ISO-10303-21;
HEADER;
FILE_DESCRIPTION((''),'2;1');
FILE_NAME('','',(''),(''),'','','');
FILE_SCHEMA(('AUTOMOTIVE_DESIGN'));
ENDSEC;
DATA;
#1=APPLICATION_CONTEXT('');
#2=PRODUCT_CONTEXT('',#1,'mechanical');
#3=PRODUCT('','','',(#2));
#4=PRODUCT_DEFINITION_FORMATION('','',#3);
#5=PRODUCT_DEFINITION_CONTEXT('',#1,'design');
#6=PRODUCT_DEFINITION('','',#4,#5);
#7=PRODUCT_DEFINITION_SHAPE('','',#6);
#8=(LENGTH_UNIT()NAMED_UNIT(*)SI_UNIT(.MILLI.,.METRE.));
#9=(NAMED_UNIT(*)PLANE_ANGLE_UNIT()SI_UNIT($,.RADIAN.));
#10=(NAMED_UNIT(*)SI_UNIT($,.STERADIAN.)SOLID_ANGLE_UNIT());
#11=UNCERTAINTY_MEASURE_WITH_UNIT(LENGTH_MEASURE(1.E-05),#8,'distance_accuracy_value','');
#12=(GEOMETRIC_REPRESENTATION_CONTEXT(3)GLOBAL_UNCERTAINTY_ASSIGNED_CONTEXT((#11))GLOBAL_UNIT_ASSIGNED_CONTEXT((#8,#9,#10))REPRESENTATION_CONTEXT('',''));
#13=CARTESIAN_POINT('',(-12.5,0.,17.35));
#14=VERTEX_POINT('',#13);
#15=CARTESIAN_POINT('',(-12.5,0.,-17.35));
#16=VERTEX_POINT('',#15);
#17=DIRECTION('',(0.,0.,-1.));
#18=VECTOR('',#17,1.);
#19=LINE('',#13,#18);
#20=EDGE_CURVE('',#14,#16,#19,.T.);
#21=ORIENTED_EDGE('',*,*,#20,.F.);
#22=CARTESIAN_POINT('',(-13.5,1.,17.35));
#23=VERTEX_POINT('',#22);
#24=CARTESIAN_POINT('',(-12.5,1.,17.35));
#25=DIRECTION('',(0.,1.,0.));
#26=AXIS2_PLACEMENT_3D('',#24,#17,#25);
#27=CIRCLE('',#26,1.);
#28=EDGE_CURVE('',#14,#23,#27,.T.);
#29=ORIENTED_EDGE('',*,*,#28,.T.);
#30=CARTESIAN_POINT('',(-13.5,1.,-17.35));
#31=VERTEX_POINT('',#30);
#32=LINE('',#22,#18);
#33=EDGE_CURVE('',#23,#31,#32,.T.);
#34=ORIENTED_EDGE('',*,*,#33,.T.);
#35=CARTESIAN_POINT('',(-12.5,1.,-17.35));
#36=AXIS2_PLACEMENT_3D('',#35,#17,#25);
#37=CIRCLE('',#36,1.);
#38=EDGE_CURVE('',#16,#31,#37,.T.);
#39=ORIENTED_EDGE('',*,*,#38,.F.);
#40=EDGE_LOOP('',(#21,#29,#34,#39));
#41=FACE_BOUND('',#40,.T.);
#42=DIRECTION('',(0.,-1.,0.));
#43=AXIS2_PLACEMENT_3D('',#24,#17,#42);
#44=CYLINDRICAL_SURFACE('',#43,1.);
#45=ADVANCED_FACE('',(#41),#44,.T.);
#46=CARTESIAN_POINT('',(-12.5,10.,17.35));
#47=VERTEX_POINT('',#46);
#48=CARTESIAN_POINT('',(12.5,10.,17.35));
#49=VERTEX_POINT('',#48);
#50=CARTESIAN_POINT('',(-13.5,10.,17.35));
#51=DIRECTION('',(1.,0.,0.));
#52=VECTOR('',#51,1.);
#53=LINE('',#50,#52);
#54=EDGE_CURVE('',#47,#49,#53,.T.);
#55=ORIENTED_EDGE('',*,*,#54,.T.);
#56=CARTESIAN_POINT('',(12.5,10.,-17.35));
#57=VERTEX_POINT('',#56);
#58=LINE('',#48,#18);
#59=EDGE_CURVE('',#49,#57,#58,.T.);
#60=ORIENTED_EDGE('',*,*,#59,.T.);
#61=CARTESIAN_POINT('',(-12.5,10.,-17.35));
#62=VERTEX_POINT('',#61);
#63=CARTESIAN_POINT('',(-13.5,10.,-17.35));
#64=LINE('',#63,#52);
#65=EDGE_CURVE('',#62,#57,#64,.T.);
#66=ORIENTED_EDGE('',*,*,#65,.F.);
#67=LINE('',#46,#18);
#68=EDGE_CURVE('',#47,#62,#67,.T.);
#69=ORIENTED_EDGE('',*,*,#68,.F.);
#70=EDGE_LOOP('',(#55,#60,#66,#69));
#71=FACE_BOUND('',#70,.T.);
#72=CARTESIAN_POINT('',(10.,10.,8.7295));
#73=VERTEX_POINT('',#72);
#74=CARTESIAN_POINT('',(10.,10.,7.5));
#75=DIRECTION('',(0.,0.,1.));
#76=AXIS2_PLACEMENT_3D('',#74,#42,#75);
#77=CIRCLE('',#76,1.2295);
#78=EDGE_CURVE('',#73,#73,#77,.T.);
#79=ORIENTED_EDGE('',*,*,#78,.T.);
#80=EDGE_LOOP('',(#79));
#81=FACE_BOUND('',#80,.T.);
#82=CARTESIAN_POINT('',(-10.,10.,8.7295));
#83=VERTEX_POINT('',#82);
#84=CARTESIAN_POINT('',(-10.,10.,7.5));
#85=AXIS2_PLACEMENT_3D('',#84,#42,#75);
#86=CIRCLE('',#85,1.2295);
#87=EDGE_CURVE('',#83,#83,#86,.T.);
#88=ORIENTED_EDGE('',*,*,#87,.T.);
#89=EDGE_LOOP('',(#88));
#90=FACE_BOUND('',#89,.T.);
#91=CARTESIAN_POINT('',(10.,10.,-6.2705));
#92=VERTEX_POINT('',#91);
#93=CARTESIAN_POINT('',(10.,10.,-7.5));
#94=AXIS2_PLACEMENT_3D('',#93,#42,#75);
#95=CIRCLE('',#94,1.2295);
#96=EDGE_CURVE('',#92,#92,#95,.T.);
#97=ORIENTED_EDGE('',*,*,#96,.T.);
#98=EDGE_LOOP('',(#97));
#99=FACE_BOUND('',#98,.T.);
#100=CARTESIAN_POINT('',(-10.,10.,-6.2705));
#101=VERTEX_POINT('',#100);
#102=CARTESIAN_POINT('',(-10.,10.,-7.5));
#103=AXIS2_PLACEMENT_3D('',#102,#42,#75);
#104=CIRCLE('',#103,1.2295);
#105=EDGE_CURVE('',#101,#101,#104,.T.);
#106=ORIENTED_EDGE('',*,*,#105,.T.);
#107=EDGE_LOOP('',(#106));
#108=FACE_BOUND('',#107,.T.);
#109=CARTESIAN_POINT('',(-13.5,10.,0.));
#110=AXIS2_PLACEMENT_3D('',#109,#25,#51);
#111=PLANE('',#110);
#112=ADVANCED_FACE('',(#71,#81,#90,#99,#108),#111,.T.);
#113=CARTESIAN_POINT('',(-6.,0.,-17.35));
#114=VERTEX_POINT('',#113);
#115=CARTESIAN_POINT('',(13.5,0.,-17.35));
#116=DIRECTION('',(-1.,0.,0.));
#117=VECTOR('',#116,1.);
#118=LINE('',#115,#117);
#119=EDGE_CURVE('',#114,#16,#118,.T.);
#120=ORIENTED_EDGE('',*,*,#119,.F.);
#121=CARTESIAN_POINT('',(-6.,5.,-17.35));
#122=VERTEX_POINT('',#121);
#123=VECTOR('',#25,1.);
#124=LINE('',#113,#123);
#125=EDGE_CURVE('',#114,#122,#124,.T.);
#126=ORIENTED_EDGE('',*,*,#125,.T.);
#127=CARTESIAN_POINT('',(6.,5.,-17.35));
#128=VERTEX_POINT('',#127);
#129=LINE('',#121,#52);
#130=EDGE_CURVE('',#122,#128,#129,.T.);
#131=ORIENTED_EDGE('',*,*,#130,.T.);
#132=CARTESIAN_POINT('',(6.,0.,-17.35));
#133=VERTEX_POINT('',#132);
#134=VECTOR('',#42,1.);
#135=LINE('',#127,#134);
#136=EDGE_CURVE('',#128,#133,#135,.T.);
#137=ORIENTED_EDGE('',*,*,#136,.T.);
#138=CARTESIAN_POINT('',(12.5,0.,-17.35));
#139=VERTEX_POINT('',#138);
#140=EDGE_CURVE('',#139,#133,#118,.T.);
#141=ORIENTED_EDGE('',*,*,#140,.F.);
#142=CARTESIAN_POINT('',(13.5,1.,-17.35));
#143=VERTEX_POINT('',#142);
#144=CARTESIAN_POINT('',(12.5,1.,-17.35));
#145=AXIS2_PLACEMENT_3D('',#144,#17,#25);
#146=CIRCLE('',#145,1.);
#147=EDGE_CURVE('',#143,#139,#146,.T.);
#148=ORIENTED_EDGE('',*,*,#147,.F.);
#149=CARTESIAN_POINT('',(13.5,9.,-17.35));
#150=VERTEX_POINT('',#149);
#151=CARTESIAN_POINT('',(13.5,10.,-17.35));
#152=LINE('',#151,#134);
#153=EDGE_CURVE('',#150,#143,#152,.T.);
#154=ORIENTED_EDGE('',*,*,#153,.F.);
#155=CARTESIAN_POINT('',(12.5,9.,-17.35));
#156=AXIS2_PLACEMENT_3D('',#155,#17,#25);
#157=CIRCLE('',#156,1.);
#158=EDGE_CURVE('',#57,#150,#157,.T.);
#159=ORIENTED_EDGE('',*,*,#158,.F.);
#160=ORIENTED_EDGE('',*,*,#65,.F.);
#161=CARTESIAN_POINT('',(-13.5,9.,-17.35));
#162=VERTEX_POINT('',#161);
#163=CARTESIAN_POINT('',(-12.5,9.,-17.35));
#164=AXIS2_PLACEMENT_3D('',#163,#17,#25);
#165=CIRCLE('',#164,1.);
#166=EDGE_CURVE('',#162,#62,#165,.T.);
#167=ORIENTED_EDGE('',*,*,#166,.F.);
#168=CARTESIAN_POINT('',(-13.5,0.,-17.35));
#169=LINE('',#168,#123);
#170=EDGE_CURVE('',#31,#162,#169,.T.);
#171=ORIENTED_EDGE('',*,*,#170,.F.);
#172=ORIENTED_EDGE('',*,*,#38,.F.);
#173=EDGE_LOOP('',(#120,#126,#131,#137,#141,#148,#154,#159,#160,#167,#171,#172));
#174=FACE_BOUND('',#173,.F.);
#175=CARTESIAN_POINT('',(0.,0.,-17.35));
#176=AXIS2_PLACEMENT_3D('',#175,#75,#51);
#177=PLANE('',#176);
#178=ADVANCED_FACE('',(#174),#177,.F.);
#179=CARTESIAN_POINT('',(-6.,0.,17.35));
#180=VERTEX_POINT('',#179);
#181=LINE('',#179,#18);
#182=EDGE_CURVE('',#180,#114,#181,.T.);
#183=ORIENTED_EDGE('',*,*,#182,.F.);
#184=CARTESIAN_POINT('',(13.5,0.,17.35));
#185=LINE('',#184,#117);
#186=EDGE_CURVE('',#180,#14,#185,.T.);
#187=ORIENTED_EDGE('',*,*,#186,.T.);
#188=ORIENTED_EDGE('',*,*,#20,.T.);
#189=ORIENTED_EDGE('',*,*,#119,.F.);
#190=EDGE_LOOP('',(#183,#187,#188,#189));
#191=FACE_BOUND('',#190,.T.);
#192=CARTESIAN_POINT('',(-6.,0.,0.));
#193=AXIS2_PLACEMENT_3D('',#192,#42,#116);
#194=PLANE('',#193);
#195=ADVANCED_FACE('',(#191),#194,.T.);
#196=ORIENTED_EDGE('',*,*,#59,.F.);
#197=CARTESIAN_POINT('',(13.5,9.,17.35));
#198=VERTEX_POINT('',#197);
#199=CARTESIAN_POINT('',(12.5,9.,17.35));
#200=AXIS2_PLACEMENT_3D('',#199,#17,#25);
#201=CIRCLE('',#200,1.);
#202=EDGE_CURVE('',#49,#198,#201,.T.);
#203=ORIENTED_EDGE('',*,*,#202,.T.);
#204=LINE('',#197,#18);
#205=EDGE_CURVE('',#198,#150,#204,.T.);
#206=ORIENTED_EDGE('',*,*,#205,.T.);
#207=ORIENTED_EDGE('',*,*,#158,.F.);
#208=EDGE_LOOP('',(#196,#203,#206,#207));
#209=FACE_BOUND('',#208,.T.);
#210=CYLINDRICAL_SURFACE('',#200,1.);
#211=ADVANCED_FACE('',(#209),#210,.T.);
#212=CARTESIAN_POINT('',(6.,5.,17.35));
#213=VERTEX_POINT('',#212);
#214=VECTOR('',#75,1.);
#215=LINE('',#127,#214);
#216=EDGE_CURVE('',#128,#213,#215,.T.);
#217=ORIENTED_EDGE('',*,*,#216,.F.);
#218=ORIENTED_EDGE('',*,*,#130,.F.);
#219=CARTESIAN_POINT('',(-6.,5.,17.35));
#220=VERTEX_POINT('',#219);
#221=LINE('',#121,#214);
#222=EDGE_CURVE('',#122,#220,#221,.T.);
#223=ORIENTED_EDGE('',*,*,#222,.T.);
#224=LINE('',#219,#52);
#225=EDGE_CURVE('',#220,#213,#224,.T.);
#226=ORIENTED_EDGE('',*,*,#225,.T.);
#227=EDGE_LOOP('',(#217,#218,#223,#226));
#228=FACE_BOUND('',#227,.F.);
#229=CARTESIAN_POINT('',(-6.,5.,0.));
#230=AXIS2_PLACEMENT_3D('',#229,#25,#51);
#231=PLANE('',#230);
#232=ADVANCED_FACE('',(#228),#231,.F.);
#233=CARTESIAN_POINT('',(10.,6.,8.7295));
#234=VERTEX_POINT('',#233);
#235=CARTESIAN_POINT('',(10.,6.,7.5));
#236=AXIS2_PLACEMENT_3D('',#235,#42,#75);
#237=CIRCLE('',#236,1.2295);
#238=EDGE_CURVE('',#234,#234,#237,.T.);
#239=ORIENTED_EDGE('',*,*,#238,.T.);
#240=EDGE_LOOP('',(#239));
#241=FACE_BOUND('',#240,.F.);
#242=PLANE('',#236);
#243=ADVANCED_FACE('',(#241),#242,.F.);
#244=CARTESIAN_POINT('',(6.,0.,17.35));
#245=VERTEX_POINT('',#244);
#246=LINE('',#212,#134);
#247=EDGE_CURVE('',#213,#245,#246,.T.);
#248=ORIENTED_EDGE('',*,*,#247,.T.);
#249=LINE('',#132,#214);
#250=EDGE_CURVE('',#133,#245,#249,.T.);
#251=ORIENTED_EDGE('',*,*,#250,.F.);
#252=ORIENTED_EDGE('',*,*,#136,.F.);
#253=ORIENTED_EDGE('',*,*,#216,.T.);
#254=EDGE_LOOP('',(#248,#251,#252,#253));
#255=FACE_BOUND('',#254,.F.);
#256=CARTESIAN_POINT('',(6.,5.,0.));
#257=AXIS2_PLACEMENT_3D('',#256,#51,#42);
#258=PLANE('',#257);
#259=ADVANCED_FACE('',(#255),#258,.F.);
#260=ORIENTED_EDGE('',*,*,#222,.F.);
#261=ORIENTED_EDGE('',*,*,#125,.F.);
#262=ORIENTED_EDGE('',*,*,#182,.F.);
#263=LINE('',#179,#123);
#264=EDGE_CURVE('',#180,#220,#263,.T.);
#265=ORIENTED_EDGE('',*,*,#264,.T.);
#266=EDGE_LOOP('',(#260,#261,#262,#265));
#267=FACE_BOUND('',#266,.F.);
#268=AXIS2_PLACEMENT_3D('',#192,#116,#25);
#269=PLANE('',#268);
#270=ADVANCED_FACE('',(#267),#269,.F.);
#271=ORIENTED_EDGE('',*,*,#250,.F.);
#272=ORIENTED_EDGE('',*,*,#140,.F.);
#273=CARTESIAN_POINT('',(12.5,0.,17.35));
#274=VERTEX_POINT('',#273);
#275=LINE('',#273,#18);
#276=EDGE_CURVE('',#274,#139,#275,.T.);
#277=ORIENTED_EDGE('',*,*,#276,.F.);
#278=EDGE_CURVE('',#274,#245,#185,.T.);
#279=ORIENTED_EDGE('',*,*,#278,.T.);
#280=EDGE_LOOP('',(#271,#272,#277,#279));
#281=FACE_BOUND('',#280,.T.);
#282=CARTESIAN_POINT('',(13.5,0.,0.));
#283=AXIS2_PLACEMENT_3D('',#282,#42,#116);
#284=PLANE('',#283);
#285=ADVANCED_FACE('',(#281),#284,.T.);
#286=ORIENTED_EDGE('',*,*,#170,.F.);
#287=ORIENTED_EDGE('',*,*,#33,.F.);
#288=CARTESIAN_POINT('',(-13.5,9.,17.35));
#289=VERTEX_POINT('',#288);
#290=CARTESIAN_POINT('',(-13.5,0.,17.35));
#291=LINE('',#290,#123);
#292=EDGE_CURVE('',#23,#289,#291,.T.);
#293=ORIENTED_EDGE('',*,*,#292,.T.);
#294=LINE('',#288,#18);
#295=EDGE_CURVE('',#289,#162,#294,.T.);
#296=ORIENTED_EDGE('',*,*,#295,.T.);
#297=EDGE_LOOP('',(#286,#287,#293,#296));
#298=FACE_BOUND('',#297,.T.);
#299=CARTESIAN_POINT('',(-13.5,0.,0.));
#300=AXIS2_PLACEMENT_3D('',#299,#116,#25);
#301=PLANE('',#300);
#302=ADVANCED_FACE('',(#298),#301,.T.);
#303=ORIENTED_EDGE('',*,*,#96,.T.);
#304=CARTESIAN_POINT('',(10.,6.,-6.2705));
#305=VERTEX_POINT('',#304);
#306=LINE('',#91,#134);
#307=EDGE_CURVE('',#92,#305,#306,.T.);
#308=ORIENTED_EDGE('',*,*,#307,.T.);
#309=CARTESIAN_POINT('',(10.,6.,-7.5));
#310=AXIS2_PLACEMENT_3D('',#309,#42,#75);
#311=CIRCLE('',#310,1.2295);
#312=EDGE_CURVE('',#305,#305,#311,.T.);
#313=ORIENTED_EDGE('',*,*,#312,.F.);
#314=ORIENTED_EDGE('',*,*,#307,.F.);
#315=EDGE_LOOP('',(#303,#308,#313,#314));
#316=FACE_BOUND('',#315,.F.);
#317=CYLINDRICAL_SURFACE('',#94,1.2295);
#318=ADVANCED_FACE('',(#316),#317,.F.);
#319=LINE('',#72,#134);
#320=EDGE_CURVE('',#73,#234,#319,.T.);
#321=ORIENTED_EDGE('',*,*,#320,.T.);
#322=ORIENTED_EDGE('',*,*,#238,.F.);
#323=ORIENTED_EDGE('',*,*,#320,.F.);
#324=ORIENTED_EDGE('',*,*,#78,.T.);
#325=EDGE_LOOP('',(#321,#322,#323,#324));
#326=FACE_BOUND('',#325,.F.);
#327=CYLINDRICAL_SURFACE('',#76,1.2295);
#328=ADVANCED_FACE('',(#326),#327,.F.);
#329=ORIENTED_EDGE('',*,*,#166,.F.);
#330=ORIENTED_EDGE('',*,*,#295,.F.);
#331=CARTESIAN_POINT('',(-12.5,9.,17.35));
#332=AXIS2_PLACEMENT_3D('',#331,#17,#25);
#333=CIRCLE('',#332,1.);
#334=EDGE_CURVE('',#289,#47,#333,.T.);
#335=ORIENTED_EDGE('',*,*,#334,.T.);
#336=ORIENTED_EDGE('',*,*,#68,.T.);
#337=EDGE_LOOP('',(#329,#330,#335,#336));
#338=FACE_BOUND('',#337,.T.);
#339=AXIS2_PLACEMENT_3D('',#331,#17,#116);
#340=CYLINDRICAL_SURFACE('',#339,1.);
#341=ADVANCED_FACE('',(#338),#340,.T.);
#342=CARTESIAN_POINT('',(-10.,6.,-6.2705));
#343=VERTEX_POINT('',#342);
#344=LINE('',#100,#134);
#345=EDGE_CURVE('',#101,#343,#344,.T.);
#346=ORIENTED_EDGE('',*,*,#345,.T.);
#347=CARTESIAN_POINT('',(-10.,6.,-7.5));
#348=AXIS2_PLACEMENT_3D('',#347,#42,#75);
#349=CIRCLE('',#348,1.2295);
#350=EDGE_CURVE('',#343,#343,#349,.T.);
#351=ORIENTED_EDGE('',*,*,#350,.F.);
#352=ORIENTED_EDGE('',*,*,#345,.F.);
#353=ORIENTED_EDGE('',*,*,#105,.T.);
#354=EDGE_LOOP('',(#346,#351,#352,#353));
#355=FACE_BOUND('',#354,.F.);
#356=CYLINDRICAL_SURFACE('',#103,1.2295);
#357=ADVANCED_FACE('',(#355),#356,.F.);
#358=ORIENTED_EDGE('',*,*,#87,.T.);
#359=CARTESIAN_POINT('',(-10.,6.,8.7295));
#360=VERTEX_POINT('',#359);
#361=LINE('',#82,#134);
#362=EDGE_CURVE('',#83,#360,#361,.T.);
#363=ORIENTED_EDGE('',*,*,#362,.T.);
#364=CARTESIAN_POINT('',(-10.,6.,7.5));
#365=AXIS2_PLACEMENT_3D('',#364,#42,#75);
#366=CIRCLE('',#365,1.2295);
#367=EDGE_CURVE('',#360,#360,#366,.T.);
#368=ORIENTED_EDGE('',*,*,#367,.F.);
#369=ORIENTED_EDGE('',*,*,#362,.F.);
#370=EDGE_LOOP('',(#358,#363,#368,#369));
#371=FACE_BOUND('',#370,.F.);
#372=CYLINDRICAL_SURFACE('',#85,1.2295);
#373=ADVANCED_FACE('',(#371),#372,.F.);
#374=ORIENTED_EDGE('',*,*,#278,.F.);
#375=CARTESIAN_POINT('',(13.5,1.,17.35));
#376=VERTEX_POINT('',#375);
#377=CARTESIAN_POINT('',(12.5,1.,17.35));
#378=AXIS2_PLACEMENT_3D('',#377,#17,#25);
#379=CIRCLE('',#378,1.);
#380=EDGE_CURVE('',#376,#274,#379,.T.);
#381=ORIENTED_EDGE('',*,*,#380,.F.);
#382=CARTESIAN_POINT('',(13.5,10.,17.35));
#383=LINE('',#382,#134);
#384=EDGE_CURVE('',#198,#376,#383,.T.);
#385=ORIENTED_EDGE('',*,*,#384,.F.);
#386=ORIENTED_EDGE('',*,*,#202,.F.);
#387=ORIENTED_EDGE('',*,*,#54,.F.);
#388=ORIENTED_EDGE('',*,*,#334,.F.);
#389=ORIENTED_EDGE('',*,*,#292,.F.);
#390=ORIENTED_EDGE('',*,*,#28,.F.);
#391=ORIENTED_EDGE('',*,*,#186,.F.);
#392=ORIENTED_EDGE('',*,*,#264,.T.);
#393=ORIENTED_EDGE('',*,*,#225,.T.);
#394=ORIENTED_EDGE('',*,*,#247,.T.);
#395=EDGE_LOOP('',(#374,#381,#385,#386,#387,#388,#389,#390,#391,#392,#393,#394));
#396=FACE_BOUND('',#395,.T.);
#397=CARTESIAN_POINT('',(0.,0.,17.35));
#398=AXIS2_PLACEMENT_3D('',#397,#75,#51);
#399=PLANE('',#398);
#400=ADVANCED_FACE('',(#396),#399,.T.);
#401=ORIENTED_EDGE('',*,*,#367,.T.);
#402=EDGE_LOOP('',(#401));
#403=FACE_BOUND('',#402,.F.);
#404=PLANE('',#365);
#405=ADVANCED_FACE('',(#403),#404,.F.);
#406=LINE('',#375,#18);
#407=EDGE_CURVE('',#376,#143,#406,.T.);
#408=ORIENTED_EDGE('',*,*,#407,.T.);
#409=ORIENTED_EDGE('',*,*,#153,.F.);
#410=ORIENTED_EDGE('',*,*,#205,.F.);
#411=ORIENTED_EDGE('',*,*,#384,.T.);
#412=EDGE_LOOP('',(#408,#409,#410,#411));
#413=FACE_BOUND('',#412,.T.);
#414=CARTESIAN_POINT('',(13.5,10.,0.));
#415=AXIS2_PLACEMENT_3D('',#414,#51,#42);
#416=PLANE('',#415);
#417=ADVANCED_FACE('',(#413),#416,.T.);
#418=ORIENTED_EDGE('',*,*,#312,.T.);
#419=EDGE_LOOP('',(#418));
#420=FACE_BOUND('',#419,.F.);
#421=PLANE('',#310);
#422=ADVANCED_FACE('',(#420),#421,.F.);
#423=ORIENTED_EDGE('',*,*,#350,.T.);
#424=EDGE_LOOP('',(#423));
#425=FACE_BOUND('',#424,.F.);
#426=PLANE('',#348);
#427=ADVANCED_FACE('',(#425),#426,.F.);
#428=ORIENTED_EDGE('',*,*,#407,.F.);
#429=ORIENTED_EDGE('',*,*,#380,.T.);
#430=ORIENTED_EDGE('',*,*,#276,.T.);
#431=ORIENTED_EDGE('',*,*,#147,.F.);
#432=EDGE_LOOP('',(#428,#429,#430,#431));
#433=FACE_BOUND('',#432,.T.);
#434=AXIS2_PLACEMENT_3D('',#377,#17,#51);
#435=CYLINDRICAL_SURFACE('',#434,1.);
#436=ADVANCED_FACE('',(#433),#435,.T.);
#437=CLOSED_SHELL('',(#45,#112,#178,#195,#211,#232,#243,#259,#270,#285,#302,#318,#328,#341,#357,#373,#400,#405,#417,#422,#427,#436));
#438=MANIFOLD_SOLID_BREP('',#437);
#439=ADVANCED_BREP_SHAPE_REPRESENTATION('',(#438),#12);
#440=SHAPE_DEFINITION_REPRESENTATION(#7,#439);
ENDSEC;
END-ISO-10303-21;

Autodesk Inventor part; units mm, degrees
ref_plane "YZ Plane" through (0, 0, 0) normal (1, 0, 0) x (0, 1, 0)
ref_plane "XZ Plane" through (0, 0, 0) normal (0, 1, 0) x (-1, 0, 0)
ref_plane "XY Plane" through (0, 0, 0) normal (0, 0, 1) x (1, 0, 0)
sketch "Sketch1" plane through (0, 0, 0) normal (0, 0, 1) x (1, 0, 0)
  line L0 (-6, 5) -> (6, 5)
  line L1 (6, 5) -> (6, 0)
  line L2 (6, 0) -> (-6, 0)
  line L3 (-6, 0) -> (-6, 5)
  line L4 (-6, 5) -> (6, 0) construction
  line L5 (6, 5) -> (-6, 0) construction
  line L6 (-13.5, 10) -> (13.5, 10)
  line L7 (13.5, 10) -> (13.5, 0)
  line L8 (13.5, 0) -> (-13.5, 0)
  line L9 (-13.5, 0) -> (-13.5, 10)
  line L10 (-13.5, 10) -> (13.5, 0) construction
  line L11 (13.5, 10) -> (-13.5, 0) construction
  point P0 (0, 0)
  point P1 (0, 2.5)
  point P2 (0, 0)
  point P3 (0, 5)
  point P4 (6, 0)
  point P5 (-6, 0)
  dimension "d0" = 12
  dimension "d1" = 5
  dimension "d2" = 27
  dimension "d3" = 10
extrude "Extrusion1" add sketch "Sketch1" along normal mid plane 34.7 contours L3 L8 L9 L6 L7 L1 L0
sketch "Sketch2" plane through (-13.5, 10, 17.35) normal (0, 1, 0) x (1, 0, 0)
  line L0 (23.5, 9.85) -> (3.5, 9.85) construction
  line L1 (3.5, 9.85) -> (3.5, 24.85) construction
  line L2 (3.5, 24.85) -> (23.5, 24.85) construction
  line L3 (23.5, 24.85) -> (23.5, 9.85) construction
  line L4 (23.5, 9.85) -> (3.5, 24.85) construction
  line L5 (3.5, 9.85) -> (23.5, 24.85) construction
  point P0 (13.5, 17.35)
  dimension "d6" = 20
  dimension "d7" = 15
hole "Hole1" at (-10, 10, 7.5) at (10, 10, 7.5) at (10, 10, -7.5) at (-10, 10, -7.5) direction (0, -1, 0) diameter 2.459 depth 4 thread size "M3x0.5" class "6H" standard "ISO Metric profile"
fillet "Fillet1" radius 1 4 edges at (13.5, 10, 0) (-13.5, 10, 0) (13.5, 0, 0) (-13.5, 0, 0)
properties part number "MGN12C Cart" material "Steel, Carbon"
